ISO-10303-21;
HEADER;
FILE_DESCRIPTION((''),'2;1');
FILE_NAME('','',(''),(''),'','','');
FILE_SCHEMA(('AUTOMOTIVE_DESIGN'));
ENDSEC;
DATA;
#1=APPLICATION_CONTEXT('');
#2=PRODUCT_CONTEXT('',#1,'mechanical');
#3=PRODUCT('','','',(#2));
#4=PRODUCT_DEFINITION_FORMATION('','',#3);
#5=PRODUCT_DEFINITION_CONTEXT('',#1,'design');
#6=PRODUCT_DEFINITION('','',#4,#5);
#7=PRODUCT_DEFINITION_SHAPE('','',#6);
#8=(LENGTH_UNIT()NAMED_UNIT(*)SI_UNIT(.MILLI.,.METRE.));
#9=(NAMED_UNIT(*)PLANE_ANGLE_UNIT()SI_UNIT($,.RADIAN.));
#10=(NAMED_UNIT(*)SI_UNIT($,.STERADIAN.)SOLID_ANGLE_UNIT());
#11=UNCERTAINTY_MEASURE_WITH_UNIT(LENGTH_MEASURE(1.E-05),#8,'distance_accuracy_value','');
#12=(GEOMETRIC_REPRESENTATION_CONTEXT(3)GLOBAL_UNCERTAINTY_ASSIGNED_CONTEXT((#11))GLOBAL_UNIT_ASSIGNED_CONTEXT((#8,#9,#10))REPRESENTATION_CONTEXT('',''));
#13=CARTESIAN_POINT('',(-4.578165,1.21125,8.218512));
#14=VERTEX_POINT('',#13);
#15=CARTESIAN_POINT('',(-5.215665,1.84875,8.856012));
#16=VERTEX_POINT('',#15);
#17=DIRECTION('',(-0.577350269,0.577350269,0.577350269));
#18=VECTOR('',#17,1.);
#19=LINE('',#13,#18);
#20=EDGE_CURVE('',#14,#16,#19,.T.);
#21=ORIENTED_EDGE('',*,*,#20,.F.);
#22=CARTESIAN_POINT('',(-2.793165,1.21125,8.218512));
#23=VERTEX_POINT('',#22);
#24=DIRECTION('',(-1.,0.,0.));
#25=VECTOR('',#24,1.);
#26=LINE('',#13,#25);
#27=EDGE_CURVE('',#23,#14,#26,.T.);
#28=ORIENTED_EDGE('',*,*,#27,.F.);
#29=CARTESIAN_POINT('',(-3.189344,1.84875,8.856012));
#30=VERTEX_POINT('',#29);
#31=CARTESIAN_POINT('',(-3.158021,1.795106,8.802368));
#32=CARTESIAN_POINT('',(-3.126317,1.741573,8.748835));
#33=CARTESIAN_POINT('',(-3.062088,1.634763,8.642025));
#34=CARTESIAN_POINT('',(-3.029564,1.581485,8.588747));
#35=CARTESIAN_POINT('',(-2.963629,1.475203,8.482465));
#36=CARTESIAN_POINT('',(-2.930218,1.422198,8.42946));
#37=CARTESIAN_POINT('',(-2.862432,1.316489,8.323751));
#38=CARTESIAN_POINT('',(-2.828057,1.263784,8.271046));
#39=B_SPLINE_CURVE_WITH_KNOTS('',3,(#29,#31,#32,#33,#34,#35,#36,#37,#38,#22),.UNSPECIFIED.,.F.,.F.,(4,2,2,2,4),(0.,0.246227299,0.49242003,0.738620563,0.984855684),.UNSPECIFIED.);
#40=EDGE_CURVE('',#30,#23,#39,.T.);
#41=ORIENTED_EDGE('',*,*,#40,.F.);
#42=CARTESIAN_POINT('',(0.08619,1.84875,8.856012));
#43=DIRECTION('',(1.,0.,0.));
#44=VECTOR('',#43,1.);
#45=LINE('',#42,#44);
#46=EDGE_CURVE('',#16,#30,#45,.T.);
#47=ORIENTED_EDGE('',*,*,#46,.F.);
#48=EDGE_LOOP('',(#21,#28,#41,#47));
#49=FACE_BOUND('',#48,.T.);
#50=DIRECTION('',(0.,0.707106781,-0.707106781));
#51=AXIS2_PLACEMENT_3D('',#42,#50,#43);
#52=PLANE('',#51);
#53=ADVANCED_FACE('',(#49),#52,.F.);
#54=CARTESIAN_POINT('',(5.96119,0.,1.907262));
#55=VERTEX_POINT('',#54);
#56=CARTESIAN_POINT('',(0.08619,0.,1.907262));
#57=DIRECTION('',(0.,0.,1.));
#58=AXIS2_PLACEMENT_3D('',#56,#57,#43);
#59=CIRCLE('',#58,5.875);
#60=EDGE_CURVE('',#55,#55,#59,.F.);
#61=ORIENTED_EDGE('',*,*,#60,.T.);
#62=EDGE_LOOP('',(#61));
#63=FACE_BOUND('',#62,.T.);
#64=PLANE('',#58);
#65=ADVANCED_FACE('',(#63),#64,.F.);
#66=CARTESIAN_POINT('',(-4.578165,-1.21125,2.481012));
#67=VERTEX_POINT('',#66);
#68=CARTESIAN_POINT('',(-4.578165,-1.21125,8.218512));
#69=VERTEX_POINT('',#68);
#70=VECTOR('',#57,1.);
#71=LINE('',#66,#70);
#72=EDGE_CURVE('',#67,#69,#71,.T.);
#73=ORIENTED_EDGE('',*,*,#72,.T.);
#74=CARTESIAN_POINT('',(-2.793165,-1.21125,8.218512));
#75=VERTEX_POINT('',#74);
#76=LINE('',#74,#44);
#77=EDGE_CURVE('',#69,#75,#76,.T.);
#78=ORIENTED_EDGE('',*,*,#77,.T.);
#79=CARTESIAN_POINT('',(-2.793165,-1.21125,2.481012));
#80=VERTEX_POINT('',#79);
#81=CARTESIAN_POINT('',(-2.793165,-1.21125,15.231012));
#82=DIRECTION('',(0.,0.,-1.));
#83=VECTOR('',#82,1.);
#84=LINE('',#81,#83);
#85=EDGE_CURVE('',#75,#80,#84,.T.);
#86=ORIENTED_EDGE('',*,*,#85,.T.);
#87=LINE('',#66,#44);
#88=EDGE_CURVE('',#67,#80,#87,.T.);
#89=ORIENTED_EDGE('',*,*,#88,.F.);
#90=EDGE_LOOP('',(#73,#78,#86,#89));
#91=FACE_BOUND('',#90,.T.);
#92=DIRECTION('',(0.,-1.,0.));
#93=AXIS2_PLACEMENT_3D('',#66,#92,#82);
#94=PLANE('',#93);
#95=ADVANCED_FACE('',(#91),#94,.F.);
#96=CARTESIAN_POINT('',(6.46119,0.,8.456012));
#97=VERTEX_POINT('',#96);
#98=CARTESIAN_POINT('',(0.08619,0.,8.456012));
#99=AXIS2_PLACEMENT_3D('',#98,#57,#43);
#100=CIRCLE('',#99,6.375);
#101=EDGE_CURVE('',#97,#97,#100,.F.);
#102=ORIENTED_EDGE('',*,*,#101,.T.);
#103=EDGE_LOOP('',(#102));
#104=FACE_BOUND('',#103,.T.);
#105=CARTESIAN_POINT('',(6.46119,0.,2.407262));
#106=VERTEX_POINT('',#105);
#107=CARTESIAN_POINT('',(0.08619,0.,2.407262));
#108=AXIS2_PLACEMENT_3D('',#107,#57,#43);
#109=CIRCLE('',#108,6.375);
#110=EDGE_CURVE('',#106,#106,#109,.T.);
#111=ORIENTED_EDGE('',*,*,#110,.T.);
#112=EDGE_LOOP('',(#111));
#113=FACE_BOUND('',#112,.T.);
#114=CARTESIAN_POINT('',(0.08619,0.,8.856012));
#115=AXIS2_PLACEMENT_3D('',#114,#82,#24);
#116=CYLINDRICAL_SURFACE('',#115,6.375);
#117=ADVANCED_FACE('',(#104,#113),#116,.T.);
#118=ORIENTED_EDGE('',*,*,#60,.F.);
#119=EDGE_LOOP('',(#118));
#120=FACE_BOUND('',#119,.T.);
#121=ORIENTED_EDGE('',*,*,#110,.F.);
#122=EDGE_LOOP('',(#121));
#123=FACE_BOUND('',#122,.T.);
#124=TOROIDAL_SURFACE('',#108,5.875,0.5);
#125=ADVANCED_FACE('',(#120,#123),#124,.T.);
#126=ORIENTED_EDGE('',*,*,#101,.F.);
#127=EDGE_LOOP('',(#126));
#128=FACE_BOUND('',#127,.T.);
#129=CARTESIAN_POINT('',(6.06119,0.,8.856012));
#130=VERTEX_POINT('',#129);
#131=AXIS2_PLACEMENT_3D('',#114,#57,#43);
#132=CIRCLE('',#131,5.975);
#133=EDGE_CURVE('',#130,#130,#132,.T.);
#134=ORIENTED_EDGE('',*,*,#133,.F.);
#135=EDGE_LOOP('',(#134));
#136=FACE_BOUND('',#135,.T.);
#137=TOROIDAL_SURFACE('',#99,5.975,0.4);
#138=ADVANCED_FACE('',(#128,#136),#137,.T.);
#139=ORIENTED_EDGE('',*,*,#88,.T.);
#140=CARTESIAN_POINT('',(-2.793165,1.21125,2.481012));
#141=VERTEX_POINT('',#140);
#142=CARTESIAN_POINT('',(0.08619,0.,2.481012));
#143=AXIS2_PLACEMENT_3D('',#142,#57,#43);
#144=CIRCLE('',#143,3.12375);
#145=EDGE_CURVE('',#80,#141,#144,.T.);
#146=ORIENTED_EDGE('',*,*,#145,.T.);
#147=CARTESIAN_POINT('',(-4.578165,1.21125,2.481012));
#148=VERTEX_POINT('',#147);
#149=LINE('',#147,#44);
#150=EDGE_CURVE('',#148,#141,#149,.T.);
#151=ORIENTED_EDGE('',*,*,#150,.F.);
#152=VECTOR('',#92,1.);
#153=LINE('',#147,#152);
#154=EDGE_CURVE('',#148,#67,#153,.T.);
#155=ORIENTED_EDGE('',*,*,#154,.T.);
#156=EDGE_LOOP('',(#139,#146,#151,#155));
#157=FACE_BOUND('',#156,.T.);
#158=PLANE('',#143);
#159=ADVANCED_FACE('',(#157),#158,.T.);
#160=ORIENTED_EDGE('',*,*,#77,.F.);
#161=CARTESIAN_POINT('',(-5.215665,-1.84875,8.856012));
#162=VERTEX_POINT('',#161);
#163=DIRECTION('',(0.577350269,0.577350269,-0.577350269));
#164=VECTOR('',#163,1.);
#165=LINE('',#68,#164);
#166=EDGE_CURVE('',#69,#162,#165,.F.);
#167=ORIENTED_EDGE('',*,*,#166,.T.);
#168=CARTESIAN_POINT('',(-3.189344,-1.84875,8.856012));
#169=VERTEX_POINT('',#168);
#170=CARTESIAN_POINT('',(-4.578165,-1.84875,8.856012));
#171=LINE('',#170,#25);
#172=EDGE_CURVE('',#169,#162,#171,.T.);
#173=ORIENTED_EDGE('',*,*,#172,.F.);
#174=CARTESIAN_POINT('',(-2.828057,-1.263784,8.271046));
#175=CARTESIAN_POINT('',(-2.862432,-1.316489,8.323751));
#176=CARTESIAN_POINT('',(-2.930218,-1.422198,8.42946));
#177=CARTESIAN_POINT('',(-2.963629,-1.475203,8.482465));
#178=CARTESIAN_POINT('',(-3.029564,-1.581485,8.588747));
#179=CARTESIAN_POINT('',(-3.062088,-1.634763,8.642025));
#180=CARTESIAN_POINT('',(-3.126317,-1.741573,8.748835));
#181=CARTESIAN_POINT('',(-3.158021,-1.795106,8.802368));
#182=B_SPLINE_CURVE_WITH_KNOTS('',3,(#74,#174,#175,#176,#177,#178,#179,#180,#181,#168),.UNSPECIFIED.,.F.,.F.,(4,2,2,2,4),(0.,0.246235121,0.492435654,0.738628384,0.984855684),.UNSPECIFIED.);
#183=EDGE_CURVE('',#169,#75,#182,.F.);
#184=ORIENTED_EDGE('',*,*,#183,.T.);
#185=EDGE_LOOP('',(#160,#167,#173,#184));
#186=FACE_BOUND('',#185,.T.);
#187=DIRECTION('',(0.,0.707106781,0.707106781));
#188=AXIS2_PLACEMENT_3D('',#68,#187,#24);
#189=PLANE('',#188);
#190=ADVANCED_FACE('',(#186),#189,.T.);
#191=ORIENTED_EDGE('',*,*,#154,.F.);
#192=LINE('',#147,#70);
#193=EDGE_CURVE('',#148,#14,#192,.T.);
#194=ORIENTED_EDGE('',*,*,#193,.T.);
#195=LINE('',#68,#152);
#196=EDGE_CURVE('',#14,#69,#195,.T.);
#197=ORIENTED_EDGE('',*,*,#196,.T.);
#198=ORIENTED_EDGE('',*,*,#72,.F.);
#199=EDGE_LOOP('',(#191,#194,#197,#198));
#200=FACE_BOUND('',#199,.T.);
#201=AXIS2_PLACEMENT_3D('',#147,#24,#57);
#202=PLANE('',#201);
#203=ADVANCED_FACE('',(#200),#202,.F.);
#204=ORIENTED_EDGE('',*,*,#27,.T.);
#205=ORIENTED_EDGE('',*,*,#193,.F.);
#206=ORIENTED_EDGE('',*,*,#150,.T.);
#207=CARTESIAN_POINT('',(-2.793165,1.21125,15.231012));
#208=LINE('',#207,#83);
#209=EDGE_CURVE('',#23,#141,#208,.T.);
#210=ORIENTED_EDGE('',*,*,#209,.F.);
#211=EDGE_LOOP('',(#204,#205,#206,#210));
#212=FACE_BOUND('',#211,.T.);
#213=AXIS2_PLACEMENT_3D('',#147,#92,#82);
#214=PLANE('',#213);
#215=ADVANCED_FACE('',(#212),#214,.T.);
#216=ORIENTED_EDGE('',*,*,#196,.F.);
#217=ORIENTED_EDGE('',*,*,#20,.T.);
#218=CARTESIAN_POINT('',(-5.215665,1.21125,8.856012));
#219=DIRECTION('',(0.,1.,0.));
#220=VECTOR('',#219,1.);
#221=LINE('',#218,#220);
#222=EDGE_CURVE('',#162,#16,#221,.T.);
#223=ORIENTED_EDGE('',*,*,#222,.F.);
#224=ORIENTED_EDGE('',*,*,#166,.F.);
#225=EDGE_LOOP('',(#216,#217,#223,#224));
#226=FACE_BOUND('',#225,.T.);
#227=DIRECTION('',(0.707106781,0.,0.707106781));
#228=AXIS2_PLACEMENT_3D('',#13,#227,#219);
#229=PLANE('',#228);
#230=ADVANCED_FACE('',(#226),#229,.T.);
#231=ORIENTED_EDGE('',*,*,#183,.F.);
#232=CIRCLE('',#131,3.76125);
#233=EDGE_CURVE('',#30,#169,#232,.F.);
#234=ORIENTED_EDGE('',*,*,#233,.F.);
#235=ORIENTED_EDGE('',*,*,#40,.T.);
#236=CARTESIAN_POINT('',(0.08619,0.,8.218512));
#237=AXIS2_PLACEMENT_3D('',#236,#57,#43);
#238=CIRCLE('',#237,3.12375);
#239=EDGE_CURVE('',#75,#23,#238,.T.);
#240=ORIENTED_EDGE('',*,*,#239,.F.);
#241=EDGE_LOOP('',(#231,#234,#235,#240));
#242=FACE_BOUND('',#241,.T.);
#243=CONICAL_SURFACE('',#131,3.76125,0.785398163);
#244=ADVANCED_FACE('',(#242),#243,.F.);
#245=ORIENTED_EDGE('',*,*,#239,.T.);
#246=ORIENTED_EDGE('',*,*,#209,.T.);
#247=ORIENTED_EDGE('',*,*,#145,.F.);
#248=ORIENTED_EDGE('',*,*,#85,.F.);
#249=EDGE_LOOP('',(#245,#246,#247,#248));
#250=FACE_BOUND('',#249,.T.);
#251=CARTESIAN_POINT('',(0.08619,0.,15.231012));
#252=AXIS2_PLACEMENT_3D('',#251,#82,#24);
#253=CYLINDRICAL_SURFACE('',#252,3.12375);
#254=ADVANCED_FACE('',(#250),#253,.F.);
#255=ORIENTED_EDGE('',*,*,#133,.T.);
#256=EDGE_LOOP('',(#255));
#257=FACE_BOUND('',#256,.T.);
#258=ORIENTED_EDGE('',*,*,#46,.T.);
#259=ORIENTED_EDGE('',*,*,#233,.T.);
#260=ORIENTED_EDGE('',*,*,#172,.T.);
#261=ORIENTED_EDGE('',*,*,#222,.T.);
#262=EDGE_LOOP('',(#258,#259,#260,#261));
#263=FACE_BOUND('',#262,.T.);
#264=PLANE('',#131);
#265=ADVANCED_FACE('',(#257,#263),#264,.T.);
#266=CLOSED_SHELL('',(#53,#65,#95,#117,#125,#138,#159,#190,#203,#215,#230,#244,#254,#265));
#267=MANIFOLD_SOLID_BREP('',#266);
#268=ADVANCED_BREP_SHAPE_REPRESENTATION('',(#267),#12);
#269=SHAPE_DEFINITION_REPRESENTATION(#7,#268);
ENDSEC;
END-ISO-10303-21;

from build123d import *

# Parameters (mm, degrees)
SKETCH1_R               = 10
BOSS_EXTRUDE1_DEPTH     = 10.9
CUT_EXTRUDE1_DEPTH      = 10
CUT_EXTRUDE1_DEPTH_BACK = 10
CHAMFER1_SIZE           = 1
SCALE1_SCALE            = 0.75
SCALE2_SCALE            = 0.85
FILLET1_R               = 0.4
FILLET2_R               = 0.5


with BuildPart() as part:
    # Sketch1 → Boss-Extrude1 (new body)
    with BuildSketch(Plane(origin=(0, 0, 0), x_dir=(0, 1, 0), z_dir=(0, 0, 1))):
        Circle(SKETCH1_R)
    extrude(amount=BOSS_EXTRUDE1_DEPTH)

    # Sketch2 → Cut-Extrude1 (cut, two sides: drawn at the far end of the back side and taken through both)
    with BuildSketch(Plane.XY.offset(10.9).offset(-CUT_EXTRUDE1_DEPTH_BACK)):
        with BuildLine():
            Line((-4.516635916, 1.9), (-7.316635916, 1.9))
            Line((-7.316635916, 1.9), (-7.316635916, -1.9))
            Line((-7.316635916, -1.9), (-4.516635916, -1.9))
            ThreePointArc((-4.516635916, -1.9), (4.9, 0), (-4.516635916, 1.9))
        make_face()
    extrude(amount=CUT_EXTRUDE1_DEPTH + CUT_EXTRUDE1_DEPTH_BACK, mode=Mode.SUBTRACT)

    # Chamfer1
    chamfer1_edges = [part.edges().sort_by_distance(p)[0] for p in [
        (-5.916635916, -1.9, 10.9),
        (-7.316635916, 0, 10.9),
        (-5.916635916, 1.9, 10.9),
        (4.9, 0, 10.9),
    ]]
    chamfer(chamfer1_edges, length=CHAMFER1_SIZE)


with BuildPart() as part_1:
    # Scale1: scaled about (0.237766223, 0, 5.261412395)
    add(part.part.scale(SCALE1_SCALE).moved(Location((0.059441556, 0, 1.315353099))))


with BuildPart() as part_2:
    # Scale2: scaled about (0.237766223, 0, 5.261412395)
    add(part_1.part.scale(SCALE2_SCALE).moved(Location((0.035664933, 0, 0.789211859))))

    # Fillet1
    fillet1_edges = [part_2.edges().sort_by_distance(p)[0] for p in [
        (0.086190256, -6.375, 8.856011993),
    ]]
    fillet(fillet1_edges, radius=FILLET1_R)

    # Fillet2
    fillet2_edges = [part_2.edges().sort_by_distance(p)[0] for p in [
        (0.086190256, -6.375, 1.907261993),
    ]]
    fillet(fillet2_edges, radius=FILLET2_R)


solid = part_2.part
